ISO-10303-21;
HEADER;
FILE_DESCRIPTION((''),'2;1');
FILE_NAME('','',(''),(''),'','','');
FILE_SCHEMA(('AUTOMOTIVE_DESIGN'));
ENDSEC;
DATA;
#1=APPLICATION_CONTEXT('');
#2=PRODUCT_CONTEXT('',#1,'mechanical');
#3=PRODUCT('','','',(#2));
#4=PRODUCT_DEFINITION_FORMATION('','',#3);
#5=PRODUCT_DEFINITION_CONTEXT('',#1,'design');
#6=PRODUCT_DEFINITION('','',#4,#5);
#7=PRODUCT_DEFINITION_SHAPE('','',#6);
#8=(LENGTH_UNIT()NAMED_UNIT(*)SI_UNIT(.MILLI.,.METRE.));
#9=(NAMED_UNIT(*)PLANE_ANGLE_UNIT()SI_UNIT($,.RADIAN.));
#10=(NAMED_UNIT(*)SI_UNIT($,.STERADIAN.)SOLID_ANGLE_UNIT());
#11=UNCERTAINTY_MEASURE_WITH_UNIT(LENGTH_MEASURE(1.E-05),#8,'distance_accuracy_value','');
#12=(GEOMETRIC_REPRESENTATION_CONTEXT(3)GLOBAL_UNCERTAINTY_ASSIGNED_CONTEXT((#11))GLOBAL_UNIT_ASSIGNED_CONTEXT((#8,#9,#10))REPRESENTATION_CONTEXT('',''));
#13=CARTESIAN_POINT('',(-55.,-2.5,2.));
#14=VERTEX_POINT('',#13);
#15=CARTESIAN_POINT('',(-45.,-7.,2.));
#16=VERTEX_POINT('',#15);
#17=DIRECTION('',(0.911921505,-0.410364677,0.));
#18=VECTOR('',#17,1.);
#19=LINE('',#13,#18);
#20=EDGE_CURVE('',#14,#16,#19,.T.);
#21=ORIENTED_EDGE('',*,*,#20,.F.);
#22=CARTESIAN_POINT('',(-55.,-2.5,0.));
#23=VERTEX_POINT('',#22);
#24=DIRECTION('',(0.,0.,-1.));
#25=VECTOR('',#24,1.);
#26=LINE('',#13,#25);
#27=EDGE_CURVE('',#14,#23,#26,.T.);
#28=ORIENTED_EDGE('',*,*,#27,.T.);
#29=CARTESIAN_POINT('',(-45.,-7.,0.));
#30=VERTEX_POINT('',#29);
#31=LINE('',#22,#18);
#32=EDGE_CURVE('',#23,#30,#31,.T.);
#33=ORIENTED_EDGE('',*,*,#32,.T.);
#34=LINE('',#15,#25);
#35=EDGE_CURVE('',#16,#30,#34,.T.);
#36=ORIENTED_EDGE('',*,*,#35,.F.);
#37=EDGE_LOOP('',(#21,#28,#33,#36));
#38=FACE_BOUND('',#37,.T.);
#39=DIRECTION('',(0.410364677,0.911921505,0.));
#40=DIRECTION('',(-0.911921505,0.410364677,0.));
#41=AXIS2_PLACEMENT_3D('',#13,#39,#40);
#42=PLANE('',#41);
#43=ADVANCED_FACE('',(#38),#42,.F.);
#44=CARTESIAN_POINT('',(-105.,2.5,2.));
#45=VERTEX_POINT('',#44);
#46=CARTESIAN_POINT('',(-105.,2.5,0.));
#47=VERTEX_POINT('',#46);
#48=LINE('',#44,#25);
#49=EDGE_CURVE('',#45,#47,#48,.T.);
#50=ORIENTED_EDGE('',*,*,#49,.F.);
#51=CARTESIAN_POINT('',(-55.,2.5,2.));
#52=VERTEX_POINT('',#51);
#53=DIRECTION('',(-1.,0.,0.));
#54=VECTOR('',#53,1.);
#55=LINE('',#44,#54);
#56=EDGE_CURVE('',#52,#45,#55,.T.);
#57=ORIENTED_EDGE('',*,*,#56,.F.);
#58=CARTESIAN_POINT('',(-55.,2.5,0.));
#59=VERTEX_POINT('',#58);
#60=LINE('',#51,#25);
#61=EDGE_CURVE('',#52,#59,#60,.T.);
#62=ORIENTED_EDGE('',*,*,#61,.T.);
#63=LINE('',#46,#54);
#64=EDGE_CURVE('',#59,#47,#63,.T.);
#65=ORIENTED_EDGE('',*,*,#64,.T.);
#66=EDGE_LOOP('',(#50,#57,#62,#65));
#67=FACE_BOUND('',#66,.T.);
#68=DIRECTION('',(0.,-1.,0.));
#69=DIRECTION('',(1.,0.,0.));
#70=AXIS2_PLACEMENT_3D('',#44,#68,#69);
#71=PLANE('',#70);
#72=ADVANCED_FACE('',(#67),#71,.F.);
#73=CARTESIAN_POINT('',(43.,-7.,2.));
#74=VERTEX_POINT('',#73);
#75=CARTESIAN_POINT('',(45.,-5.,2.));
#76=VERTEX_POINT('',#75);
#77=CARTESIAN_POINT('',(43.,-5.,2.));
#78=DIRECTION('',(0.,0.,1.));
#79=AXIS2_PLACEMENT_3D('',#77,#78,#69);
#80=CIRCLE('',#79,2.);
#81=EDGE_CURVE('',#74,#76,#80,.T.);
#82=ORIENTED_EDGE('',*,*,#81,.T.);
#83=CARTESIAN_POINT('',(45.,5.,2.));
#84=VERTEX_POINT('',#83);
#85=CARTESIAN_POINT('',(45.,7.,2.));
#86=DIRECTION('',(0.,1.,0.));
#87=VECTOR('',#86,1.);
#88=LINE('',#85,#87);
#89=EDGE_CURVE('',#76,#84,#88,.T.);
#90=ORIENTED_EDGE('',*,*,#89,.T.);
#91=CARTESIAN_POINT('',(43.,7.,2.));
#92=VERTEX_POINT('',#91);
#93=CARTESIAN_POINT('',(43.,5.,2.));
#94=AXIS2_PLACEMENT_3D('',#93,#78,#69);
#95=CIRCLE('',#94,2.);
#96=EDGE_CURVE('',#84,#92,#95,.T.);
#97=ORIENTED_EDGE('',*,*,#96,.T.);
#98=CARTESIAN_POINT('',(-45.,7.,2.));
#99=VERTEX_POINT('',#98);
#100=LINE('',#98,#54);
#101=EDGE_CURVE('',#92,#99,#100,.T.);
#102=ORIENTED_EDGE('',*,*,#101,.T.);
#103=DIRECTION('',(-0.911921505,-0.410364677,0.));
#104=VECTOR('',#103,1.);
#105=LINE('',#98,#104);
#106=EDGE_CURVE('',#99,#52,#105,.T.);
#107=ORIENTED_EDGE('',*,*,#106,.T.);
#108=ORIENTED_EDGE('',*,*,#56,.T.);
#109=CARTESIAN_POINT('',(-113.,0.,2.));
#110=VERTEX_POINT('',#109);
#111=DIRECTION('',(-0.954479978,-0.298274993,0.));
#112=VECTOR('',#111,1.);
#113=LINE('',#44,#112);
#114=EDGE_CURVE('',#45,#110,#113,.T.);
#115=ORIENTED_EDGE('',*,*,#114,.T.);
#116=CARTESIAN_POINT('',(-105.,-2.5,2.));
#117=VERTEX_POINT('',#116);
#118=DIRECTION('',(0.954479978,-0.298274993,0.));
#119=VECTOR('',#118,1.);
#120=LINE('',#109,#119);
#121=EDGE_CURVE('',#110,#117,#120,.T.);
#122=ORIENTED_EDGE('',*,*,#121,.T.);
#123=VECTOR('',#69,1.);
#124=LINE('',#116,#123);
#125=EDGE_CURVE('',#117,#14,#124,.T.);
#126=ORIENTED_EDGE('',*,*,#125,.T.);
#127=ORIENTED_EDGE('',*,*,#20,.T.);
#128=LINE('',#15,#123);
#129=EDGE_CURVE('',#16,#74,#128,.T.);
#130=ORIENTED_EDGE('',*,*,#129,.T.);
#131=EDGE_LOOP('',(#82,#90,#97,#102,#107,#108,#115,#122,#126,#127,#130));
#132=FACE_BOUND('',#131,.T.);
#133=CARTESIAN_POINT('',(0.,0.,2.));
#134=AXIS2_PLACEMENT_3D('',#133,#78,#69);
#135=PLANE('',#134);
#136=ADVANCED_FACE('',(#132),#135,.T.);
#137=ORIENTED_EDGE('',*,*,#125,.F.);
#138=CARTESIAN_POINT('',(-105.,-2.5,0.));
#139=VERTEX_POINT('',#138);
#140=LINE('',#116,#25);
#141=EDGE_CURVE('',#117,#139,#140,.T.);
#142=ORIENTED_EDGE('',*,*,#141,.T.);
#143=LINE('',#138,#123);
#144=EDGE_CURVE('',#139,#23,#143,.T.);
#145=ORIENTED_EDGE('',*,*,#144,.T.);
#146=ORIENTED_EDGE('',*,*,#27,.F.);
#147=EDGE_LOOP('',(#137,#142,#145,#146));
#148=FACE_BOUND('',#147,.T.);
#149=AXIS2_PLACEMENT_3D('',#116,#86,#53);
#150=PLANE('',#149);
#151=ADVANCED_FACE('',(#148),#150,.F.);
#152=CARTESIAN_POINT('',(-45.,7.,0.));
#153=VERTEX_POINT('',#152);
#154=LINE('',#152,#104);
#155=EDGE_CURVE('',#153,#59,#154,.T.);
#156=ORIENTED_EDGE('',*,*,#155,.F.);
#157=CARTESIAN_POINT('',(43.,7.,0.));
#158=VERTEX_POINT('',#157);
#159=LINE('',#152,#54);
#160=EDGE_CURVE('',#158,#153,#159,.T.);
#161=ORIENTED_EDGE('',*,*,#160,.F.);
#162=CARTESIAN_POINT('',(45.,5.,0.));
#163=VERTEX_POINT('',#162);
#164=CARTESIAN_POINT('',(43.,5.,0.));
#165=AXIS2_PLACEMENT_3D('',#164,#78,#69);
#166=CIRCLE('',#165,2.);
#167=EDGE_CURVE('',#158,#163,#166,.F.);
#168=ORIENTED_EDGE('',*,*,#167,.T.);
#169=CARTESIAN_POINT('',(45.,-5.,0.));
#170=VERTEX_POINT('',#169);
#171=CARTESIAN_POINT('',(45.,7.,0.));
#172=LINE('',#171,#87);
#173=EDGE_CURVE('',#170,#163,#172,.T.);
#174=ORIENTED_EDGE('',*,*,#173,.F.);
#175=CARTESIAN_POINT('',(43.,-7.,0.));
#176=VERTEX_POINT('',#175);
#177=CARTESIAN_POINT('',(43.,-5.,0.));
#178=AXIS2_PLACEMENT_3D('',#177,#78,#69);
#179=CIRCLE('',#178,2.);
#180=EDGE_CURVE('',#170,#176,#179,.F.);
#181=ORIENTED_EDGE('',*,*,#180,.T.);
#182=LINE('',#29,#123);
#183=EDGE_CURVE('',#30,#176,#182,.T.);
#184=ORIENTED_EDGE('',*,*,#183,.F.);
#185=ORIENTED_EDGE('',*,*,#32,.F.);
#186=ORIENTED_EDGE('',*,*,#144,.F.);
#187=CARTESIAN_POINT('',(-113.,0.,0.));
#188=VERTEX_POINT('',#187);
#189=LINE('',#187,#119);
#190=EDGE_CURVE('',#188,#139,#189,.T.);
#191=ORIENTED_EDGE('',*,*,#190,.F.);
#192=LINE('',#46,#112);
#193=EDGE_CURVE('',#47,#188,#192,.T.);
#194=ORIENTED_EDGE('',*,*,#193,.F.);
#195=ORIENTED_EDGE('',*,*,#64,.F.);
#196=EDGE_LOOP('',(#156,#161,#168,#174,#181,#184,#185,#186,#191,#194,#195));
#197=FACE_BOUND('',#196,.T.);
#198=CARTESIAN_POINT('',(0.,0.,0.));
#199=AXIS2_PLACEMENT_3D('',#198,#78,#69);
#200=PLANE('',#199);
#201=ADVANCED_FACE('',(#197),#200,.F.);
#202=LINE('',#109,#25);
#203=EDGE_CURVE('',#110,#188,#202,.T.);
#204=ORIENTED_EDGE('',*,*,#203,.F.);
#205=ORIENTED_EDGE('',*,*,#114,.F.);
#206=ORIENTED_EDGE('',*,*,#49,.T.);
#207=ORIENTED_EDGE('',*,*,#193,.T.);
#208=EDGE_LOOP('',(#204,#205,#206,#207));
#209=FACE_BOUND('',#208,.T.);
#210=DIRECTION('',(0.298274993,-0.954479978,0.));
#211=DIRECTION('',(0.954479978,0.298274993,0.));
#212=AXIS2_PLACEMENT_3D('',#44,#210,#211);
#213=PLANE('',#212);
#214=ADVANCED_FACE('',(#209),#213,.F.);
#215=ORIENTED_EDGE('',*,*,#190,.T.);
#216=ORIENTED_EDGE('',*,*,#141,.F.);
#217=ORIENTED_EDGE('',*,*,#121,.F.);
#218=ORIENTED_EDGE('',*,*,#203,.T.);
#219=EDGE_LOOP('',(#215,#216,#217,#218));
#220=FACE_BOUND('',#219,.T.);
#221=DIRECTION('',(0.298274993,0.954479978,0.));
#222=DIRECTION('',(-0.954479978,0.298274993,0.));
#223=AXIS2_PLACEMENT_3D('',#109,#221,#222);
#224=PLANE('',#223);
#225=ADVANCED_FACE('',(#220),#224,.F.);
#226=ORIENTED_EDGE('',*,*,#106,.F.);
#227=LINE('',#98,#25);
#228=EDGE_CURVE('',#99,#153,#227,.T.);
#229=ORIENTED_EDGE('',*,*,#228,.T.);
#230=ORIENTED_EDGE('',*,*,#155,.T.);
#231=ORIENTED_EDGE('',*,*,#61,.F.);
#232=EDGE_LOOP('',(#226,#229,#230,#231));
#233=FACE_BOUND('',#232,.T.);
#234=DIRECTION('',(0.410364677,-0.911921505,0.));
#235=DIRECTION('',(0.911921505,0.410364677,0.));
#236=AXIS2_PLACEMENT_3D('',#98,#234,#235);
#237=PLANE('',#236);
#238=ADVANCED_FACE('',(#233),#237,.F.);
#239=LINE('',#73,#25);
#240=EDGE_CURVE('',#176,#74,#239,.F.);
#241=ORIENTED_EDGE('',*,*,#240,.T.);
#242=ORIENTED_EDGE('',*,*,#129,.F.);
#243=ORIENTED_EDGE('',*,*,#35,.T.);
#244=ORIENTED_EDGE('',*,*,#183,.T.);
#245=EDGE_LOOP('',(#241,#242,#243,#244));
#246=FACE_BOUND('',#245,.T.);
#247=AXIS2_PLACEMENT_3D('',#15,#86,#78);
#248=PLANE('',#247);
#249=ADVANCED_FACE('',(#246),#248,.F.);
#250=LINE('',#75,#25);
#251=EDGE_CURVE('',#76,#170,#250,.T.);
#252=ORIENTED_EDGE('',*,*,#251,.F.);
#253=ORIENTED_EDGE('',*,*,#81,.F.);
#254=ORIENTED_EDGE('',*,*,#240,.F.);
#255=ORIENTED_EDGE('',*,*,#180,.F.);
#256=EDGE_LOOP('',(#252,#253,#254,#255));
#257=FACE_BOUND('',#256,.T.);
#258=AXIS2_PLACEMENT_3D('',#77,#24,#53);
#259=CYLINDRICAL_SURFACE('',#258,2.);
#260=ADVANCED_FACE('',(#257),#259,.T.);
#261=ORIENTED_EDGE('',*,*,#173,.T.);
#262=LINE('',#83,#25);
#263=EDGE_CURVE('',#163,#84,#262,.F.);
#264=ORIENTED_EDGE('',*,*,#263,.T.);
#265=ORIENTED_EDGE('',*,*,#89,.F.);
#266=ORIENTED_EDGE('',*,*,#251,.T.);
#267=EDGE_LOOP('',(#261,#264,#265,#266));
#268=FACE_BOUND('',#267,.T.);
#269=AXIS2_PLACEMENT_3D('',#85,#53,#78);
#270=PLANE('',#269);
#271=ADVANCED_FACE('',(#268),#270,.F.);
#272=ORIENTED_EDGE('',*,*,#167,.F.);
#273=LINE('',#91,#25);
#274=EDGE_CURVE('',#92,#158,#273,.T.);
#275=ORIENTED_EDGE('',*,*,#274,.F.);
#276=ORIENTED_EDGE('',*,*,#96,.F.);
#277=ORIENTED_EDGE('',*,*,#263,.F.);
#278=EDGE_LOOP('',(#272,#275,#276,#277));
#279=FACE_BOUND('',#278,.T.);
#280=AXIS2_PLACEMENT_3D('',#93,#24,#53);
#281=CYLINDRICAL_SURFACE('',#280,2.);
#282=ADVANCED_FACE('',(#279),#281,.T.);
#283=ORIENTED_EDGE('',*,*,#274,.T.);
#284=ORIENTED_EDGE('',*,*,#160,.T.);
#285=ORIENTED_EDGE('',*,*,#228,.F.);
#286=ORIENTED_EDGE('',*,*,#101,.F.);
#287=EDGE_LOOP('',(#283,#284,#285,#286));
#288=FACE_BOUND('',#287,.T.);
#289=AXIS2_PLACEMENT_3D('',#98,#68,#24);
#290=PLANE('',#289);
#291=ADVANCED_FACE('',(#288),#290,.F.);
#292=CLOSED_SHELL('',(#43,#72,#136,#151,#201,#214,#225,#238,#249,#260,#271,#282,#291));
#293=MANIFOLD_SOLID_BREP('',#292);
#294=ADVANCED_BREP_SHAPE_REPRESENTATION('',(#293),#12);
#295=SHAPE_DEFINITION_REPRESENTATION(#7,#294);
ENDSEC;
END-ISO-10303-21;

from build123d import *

# Parameters (mm, degrees)
BOSS_EXTRUDE1_DEPTH = 2
FILLET1_R           = 2


with BuildPart() as part:
    # Sketch1 → Boss-Extrude1 (new body)
    with BuildSketch(Plane.XY):
        Polygon((-45, 7), (-55, 2.5), (-105, 2.5), (-113, 0), (-105, -2.5), (-55, -2.5), (-45, -7), (45, -7), (45, 7), align=None)
    extrude(amount=BOSS_EXTRUDE1_DEPTH)

    # Fillet1
    fillet1_edges = [part.edges().sort_by_distance(p)[0] for p in [
        (45, -7, 1),
        (45, 7, 1),
    ]]
    fillet(fillet1_edges, radius=FILLET1_R)


solid = part.part
